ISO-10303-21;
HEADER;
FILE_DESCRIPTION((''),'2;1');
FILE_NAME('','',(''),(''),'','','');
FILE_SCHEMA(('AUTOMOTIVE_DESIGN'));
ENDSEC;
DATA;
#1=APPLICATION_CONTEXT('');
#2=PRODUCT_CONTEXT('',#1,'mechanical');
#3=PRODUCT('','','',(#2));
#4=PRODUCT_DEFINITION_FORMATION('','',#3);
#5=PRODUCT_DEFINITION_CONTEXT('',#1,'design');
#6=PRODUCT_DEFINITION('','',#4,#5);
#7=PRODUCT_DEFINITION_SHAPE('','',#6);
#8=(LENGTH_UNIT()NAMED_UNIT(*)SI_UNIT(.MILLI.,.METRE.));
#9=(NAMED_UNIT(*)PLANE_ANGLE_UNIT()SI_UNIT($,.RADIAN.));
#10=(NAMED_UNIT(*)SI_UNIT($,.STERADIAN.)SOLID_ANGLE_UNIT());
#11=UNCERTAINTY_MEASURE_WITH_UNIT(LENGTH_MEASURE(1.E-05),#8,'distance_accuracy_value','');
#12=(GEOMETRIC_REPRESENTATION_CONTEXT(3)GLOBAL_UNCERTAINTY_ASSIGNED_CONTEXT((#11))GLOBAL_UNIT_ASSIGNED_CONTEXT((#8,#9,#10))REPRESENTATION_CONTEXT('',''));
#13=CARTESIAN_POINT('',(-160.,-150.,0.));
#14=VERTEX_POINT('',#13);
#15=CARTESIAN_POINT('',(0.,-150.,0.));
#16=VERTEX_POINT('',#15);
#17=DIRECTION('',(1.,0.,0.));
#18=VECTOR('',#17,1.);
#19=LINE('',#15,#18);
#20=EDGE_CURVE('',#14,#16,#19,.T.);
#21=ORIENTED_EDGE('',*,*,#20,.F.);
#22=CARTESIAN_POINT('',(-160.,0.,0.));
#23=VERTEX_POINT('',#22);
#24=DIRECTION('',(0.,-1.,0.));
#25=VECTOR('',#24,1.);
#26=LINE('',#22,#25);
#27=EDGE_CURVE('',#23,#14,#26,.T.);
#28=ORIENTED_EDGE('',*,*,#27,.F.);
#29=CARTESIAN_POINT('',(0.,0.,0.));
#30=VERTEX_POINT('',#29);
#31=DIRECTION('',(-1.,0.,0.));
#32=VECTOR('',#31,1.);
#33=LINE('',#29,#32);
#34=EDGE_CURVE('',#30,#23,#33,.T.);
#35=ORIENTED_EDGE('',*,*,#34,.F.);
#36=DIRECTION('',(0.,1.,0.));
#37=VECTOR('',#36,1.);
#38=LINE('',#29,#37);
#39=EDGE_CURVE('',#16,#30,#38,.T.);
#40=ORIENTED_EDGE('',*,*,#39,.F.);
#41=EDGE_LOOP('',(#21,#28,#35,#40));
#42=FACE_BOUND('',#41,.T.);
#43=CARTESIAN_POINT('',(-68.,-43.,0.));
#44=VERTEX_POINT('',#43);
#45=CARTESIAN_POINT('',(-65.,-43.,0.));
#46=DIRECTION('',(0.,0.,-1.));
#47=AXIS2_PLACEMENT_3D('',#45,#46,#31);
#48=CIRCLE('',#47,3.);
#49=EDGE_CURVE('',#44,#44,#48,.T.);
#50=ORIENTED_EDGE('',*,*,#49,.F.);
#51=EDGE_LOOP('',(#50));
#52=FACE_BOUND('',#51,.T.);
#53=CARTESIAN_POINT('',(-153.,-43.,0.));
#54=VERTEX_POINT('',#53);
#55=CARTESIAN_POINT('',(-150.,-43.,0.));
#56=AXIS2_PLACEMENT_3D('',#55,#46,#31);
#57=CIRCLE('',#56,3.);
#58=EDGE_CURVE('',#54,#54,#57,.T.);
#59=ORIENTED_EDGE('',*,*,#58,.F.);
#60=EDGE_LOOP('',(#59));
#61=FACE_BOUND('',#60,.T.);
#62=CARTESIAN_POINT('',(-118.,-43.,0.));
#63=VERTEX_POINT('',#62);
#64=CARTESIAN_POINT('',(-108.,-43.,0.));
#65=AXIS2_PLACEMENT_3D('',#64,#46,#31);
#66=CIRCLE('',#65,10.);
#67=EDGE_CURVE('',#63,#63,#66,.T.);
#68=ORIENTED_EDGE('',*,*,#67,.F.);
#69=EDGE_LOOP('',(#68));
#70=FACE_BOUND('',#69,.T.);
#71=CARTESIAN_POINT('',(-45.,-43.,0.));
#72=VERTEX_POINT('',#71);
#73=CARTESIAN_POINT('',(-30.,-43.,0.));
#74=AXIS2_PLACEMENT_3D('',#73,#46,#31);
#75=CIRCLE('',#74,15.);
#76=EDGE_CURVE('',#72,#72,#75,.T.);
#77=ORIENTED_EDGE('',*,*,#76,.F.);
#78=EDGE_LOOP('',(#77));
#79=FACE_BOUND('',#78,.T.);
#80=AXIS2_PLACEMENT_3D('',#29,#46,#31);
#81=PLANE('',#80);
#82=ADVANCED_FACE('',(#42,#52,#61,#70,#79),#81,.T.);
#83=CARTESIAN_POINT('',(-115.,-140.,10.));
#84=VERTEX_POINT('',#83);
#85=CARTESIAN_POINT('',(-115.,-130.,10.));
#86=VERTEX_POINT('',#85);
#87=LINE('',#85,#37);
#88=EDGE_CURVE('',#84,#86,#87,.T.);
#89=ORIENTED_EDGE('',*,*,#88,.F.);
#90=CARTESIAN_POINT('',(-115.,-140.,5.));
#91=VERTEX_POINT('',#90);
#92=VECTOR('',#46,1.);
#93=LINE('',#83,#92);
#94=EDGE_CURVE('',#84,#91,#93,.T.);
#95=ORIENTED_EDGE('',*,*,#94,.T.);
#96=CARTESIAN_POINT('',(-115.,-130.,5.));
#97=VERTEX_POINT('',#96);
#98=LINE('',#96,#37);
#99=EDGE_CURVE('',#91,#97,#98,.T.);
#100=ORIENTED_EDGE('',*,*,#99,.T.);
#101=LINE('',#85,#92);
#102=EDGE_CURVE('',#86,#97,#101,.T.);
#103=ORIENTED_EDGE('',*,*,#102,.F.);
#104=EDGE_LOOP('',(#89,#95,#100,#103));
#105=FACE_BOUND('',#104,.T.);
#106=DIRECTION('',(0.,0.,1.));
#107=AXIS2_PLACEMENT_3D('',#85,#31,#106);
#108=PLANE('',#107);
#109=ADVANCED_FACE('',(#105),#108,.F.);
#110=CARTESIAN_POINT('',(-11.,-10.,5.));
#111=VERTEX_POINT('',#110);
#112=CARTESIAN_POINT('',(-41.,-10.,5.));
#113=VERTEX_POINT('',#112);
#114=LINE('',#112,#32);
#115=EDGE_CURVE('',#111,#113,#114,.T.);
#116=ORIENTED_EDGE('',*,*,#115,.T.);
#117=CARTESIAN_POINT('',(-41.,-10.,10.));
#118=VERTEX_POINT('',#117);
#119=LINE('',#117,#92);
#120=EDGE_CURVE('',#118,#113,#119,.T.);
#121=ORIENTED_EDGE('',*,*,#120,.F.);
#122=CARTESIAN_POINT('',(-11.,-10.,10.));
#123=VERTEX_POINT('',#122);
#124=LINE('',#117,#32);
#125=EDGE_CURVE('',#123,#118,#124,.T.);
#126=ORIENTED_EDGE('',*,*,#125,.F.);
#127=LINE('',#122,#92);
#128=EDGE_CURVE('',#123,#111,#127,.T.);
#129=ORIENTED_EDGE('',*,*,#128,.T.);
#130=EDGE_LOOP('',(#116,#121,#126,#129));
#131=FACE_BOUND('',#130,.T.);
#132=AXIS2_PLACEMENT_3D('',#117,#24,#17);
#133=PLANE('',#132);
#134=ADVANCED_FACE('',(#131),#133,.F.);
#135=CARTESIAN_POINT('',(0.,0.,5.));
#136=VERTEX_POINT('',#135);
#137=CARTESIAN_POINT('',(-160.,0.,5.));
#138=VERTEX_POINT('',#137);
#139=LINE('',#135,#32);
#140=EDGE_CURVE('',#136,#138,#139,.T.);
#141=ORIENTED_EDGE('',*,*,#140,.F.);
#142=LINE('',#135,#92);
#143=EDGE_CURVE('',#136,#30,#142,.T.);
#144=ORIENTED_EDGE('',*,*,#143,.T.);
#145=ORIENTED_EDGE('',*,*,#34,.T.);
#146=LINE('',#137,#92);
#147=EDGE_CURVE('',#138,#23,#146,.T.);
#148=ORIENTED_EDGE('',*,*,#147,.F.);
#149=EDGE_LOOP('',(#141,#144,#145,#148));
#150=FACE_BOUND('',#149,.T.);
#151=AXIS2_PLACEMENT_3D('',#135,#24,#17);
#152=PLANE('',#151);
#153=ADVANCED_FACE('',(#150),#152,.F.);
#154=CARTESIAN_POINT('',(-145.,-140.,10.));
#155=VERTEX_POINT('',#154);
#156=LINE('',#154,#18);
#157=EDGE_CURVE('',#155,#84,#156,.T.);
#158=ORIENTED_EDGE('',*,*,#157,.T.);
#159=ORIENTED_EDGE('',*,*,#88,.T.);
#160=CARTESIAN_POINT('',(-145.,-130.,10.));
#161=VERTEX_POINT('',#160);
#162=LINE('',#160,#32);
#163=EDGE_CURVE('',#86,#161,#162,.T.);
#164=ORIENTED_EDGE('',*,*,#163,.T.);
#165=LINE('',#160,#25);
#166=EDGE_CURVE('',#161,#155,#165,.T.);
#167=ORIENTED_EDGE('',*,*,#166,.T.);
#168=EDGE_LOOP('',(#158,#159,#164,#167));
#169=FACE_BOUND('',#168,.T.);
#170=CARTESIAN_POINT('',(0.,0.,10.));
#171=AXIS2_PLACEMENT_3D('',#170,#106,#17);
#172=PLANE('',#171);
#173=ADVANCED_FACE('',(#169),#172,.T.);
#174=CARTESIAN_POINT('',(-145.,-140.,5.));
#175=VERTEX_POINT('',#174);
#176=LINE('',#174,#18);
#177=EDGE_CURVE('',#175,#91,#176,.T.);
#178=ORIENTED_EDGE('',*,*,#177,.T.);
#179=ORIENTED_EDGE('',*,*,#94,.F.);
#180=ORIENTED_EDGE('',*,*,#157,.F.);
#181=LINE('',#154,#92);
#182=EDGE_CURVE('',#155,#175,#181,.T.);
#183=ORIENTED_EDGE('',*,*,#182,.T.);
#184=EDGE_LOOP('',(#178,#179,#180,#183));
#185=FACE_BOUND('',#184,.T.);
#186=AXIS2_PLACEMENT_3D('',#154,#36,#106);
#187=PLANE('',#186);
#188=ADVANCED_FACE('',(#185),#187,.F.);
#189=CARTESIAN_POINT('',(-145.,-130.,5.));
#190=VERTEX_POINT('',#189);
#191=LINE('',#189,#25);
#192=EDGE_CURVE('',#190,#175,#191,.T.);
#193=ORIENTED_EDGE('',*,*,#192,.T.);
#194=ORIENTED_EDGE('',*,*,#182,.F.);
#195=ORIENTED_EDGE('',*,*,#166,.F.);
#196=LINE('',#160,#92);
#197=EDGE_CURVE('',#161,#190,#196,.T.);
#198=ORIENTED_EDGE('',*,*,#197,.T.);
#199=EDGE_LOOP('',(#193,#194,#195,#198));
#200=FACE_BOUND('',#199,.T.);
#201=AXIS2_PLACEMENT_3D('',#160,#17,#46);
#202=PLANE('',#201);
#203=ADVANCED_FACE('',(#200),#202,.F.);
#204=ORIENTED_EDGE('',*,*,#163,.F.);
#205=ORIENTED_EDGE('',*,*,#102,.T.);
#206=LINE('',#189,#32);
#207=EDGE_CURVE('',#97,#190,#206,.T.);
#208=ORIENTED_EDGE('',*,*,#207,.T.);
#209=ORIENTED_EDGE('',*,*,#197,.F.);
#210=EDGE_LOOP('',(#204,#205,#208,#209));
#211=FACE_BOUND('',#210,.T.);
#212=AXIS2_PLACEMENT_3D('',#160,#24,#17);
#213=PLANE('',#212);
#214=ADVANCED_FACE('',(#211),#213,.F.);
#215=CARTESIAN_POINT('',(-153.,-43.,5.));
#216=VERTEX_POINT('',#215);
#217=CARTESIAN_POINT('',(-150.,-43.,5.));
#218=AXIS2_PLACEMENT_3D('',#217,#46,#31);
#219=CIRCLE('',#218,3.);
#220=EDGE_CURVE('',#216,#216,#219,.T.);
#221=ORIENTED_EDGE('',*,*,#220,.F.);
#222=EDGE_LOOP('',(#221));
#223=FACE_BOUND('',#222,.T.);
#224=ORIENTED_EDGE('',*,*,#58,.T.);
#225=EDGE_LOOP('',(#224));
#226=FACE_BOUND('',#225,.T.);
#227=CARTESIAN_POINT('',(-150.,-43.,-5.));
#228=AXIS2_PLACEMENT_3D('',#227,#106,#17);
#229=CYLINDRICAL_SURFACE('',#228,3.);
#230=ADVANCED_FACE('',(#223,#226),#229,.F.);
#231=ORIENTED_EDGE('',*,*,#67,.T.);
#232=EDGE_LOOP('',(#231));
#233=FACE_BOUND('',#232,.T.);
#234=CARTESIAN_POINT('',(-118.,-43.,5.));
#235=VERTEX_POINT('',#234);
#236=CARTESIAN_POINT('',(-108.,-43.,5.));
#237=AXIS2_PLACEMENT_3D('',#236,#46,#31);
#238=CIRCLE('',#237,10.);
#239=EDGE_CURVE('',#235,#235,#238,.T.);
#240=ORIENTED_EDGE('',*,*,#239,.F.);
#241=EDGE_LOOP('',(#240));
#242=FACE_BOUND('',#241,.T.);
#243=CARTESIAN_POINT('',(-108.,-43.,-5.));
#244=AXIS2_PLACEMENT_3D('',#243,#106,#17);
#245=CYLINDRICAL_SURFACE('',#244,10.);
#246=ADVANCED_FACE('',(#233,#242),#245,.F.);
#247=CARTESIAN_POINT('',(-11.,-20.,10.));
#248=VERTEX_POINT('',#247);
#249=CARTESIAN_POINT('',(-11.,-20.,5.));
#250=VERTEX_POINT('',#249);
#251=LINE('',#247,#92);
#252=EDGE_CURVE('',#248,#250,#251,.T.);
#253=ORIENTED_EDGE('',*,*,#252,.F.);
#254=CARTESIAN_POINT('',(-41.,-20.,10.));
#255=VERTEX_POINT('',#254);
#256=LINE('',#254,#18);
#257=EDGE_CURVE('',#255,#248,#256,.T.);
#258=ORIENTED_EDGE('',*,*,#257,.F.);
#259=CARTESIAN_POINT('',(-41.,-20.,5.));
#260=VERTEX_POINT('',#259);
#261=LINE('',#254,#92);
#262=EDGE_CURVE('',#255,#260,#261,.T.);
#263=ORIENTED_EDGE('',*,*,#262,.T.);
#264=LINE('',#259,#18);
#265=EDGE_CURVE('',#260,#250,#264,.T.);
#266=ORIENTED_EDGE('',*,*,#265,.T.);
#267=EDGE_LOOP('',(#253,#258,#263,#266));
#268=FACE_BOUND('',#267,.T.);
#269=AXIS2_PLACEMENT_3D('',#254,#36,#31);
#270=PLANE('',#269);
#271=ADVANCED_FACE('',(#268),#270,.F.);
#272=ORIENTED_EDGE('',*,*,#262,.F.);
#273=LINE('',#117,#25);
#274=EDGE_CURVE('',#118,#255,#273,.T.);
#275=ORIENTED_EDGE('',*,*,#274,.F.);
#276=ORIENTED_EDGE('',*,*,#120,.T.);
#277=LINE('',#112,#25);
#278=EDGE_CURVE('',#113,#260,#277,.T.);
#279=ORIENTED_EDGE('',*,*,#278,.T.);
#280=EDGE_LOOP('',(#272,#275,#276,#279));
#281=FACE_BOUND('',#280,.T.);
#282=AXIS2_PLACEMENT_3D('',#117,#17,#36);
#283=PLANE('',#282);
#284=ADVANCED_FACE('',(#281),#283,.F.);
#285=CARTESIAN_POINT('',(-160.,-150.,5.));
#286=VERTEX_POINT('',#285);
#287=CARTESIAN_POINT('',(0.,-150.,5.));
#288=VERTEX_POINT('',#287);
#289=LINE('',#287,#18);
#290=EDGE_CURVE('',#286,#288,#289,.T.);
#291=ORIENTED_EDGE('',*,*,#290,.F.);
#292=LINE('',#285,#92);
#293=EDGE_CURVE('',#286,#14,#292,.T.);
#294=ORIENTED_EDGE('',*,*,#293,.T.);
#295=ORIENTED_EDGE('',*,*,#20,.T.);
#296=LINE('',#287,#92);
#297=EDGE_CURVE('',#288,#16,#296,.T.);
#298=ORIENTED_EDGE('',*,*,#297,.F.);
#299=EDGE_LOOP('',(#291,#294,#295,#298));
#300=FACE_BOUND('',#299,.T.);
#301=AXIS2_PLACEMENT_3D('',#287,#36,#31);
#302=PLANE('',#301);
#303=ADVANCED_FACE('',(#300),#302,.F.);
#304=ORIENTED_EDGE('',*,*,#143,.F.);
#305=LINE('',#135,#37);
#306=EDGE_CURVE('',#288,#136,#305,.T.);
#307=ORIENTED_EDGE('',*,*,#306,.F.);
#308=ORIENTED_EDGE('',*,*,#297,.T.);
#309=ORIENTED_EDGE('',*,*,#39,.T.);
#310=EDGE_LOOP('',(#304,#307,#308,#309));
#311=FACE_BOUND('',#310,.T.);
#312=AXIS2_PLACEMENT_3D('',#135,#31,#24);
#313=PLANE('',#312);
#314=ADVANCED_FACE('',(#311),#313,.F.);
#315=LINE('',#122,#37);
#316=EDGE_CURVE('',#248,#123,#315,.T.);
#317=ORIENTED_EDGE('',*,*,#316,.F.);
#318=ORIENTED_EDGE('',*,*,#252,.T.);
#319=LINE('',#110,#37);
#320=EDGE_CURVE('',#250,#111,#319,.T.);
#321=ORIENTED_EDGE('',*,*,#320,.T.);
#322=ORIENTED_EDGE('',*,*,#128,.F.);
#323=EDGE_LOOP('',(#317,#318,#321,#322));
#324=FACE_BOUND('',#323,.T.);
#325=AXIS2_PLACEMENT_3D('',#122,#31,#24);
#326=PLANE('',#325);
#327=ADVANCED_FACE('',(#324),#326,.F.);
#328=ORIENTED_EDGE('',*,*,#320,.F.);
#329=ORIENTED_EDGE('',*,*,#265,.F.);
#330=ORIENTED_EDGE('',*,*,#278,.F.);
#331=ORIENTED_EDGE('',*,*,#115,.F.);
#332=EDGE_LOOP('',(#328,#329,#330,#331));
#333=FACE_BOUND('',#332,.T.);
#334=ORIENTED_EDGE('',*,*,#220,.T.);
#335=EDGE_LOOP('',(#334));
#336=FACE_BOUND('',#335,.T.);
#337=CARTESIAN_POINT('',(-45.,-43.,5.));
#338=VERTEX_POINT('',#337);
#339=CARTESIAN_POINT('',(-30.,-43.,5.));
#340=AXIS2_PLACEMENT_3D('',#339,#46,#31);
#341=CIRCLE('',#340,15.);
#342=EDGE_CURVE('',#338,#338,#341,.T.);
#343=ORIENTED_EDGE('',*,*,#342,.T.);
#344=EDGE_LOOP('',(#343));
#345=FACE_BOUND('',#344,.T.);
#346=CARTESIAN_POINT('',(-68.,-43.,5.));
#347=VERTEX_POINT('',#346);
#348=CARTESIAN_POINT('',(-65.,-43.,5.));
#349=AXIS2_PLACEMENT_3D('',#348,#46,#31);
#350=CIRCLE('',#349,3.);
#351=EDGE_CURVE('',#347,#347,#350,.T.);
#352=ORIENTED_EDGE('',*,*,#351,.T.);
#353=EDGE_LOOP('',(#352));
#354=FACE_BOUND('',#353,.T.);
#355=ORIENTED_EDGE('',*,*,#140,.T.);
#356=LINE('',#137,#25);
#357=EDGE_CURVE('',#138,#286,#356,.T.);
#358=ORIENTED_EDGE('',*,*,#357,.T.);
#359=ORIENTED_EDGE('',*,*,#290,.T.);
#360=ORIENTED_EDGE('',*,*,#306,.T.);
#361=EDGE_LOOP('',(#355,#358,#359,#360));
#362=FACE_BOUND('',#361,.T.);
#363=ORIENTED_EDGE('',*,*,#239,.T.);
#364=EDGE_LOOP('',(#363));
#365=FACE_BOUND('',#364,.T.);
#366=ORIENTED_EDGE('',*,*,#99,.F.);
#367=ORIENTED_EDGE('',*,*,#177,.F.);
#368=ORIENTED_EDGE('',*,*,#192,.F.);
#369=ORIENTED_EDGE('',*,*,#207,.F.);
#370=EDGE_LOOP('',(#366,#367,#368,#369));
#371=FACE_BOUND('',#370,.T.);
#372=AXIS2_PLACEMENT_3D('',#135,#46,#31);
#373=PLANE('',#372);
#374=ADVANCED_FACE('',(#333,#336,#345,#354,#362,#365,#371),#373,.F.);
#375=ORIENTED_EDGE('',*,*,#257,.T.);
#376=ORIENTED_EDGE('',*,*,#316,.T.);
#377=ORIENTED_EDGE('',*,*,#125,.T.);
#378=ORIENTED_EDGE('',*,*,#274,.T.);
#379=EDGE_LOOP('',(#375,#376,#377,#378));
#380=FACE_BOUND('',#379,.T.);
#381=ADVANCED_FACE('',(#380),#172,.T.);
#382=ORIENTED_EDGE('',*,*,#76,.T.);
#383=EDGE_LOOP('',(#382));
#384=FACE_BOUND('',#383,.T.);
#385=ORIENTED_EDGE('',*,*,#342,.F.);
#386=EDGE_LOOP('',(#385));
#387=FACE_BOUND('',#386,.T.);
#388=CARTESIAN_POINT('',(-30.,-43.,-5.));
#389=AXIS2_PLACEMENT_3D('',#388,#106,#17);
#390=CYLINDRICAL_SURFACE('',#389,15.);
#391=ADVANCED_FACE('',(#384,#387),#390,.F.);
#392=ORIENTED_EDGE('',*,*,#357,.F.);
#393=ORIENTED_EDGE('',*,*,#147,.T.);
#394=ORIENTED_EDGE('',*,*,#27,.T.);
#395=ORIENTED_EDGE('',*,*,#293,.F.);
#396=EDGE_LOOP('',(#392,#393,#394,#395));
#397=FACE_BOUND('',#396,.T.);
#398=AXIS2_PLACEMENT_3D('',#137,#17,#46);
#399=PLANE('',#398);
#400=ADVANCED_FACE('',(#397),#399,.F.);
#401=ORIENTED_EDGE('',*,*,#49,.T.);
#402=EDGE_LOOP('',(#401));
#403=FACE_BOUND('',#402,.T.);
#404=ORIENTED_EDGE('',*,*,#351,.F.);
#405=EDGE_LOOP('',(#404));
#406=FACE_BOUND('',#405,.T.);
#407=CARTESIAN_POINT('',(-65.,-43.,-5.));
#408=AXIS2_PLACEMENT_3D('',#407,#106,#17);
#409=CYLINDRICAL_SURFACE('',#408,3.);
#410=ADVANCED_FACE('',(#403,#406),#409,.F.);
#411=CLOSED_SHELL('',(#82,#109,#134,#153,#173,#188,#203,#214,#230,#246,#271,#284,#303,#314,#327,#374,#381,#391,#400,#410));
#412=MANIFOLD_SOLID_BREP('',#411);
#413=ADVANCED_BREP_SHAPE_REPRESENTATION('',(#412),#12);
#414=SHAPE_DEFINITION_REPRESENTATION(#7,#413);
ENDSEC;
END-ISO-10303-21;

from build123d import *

# Parameters (mm, degrees)
SKETCH1_W           = 160
SKETCH1_H           = 150
BOSS_EXTRUDE1_DEPTH = 5
SKETCH2_W           = 30
SKETCH2_H           = 10
BOSS_EXTRUDE2_DEPTH = 5
SKETCH4_R           = 3
SKETCH4_R_2         = 10
SKETCH4_R_3         = 15
CUT_EXTRUDE1_DEPTH  = 15


with BuildPart() as part:
    # Sketch1 → Boss-Extrude1 (new body)
    with BuildSketch(Plane.XY):
        with Locations((-80, -75)):
            Rectangle(SKETCH1_W, SKETCH1_H)
    extrude(amount=BOSS_EXTRUDE1_DEPTH)

    # Sketch2 → Boss-Extrude2 (add)
    with BuildSketch(Plane.XY.offset(5)):
        with Locations((-26, -15)):
            Rectangle(SKETCH2_W, SKETCH2_H)
        with Locations((-130, -135)):
            Rectangle(SKETCH2_W, SKETCH2_H)
    extrude(amount=BOSS_EXTRUDE2_DEPTH)

    # Sketch4 → Cut-Extrude1 (cut)
    with BuildSketch(Plane.XY.offset(10)):
        with Locations(Location((-150, -43, 0), (0, 0, 180))):
            Circle(SKETCH4_R)
        with Locations(Location((-108, -43, 0), (0, 0, 180))):
            Circle(SKETCH4_R_2)
        with Locations(Location((-65, -43, 0), (0, 0, 180))):
            Circle(SKETCH4_R)
        with Locations(Location((-30, -43, 0), (0, 0, 180))):
            Circle(SKETCH4_R_3)
    extrude(amount=-CUT_EXTRUDE1_DEPTH, mode=Mode.SUBTRACT)


solid = part.part
